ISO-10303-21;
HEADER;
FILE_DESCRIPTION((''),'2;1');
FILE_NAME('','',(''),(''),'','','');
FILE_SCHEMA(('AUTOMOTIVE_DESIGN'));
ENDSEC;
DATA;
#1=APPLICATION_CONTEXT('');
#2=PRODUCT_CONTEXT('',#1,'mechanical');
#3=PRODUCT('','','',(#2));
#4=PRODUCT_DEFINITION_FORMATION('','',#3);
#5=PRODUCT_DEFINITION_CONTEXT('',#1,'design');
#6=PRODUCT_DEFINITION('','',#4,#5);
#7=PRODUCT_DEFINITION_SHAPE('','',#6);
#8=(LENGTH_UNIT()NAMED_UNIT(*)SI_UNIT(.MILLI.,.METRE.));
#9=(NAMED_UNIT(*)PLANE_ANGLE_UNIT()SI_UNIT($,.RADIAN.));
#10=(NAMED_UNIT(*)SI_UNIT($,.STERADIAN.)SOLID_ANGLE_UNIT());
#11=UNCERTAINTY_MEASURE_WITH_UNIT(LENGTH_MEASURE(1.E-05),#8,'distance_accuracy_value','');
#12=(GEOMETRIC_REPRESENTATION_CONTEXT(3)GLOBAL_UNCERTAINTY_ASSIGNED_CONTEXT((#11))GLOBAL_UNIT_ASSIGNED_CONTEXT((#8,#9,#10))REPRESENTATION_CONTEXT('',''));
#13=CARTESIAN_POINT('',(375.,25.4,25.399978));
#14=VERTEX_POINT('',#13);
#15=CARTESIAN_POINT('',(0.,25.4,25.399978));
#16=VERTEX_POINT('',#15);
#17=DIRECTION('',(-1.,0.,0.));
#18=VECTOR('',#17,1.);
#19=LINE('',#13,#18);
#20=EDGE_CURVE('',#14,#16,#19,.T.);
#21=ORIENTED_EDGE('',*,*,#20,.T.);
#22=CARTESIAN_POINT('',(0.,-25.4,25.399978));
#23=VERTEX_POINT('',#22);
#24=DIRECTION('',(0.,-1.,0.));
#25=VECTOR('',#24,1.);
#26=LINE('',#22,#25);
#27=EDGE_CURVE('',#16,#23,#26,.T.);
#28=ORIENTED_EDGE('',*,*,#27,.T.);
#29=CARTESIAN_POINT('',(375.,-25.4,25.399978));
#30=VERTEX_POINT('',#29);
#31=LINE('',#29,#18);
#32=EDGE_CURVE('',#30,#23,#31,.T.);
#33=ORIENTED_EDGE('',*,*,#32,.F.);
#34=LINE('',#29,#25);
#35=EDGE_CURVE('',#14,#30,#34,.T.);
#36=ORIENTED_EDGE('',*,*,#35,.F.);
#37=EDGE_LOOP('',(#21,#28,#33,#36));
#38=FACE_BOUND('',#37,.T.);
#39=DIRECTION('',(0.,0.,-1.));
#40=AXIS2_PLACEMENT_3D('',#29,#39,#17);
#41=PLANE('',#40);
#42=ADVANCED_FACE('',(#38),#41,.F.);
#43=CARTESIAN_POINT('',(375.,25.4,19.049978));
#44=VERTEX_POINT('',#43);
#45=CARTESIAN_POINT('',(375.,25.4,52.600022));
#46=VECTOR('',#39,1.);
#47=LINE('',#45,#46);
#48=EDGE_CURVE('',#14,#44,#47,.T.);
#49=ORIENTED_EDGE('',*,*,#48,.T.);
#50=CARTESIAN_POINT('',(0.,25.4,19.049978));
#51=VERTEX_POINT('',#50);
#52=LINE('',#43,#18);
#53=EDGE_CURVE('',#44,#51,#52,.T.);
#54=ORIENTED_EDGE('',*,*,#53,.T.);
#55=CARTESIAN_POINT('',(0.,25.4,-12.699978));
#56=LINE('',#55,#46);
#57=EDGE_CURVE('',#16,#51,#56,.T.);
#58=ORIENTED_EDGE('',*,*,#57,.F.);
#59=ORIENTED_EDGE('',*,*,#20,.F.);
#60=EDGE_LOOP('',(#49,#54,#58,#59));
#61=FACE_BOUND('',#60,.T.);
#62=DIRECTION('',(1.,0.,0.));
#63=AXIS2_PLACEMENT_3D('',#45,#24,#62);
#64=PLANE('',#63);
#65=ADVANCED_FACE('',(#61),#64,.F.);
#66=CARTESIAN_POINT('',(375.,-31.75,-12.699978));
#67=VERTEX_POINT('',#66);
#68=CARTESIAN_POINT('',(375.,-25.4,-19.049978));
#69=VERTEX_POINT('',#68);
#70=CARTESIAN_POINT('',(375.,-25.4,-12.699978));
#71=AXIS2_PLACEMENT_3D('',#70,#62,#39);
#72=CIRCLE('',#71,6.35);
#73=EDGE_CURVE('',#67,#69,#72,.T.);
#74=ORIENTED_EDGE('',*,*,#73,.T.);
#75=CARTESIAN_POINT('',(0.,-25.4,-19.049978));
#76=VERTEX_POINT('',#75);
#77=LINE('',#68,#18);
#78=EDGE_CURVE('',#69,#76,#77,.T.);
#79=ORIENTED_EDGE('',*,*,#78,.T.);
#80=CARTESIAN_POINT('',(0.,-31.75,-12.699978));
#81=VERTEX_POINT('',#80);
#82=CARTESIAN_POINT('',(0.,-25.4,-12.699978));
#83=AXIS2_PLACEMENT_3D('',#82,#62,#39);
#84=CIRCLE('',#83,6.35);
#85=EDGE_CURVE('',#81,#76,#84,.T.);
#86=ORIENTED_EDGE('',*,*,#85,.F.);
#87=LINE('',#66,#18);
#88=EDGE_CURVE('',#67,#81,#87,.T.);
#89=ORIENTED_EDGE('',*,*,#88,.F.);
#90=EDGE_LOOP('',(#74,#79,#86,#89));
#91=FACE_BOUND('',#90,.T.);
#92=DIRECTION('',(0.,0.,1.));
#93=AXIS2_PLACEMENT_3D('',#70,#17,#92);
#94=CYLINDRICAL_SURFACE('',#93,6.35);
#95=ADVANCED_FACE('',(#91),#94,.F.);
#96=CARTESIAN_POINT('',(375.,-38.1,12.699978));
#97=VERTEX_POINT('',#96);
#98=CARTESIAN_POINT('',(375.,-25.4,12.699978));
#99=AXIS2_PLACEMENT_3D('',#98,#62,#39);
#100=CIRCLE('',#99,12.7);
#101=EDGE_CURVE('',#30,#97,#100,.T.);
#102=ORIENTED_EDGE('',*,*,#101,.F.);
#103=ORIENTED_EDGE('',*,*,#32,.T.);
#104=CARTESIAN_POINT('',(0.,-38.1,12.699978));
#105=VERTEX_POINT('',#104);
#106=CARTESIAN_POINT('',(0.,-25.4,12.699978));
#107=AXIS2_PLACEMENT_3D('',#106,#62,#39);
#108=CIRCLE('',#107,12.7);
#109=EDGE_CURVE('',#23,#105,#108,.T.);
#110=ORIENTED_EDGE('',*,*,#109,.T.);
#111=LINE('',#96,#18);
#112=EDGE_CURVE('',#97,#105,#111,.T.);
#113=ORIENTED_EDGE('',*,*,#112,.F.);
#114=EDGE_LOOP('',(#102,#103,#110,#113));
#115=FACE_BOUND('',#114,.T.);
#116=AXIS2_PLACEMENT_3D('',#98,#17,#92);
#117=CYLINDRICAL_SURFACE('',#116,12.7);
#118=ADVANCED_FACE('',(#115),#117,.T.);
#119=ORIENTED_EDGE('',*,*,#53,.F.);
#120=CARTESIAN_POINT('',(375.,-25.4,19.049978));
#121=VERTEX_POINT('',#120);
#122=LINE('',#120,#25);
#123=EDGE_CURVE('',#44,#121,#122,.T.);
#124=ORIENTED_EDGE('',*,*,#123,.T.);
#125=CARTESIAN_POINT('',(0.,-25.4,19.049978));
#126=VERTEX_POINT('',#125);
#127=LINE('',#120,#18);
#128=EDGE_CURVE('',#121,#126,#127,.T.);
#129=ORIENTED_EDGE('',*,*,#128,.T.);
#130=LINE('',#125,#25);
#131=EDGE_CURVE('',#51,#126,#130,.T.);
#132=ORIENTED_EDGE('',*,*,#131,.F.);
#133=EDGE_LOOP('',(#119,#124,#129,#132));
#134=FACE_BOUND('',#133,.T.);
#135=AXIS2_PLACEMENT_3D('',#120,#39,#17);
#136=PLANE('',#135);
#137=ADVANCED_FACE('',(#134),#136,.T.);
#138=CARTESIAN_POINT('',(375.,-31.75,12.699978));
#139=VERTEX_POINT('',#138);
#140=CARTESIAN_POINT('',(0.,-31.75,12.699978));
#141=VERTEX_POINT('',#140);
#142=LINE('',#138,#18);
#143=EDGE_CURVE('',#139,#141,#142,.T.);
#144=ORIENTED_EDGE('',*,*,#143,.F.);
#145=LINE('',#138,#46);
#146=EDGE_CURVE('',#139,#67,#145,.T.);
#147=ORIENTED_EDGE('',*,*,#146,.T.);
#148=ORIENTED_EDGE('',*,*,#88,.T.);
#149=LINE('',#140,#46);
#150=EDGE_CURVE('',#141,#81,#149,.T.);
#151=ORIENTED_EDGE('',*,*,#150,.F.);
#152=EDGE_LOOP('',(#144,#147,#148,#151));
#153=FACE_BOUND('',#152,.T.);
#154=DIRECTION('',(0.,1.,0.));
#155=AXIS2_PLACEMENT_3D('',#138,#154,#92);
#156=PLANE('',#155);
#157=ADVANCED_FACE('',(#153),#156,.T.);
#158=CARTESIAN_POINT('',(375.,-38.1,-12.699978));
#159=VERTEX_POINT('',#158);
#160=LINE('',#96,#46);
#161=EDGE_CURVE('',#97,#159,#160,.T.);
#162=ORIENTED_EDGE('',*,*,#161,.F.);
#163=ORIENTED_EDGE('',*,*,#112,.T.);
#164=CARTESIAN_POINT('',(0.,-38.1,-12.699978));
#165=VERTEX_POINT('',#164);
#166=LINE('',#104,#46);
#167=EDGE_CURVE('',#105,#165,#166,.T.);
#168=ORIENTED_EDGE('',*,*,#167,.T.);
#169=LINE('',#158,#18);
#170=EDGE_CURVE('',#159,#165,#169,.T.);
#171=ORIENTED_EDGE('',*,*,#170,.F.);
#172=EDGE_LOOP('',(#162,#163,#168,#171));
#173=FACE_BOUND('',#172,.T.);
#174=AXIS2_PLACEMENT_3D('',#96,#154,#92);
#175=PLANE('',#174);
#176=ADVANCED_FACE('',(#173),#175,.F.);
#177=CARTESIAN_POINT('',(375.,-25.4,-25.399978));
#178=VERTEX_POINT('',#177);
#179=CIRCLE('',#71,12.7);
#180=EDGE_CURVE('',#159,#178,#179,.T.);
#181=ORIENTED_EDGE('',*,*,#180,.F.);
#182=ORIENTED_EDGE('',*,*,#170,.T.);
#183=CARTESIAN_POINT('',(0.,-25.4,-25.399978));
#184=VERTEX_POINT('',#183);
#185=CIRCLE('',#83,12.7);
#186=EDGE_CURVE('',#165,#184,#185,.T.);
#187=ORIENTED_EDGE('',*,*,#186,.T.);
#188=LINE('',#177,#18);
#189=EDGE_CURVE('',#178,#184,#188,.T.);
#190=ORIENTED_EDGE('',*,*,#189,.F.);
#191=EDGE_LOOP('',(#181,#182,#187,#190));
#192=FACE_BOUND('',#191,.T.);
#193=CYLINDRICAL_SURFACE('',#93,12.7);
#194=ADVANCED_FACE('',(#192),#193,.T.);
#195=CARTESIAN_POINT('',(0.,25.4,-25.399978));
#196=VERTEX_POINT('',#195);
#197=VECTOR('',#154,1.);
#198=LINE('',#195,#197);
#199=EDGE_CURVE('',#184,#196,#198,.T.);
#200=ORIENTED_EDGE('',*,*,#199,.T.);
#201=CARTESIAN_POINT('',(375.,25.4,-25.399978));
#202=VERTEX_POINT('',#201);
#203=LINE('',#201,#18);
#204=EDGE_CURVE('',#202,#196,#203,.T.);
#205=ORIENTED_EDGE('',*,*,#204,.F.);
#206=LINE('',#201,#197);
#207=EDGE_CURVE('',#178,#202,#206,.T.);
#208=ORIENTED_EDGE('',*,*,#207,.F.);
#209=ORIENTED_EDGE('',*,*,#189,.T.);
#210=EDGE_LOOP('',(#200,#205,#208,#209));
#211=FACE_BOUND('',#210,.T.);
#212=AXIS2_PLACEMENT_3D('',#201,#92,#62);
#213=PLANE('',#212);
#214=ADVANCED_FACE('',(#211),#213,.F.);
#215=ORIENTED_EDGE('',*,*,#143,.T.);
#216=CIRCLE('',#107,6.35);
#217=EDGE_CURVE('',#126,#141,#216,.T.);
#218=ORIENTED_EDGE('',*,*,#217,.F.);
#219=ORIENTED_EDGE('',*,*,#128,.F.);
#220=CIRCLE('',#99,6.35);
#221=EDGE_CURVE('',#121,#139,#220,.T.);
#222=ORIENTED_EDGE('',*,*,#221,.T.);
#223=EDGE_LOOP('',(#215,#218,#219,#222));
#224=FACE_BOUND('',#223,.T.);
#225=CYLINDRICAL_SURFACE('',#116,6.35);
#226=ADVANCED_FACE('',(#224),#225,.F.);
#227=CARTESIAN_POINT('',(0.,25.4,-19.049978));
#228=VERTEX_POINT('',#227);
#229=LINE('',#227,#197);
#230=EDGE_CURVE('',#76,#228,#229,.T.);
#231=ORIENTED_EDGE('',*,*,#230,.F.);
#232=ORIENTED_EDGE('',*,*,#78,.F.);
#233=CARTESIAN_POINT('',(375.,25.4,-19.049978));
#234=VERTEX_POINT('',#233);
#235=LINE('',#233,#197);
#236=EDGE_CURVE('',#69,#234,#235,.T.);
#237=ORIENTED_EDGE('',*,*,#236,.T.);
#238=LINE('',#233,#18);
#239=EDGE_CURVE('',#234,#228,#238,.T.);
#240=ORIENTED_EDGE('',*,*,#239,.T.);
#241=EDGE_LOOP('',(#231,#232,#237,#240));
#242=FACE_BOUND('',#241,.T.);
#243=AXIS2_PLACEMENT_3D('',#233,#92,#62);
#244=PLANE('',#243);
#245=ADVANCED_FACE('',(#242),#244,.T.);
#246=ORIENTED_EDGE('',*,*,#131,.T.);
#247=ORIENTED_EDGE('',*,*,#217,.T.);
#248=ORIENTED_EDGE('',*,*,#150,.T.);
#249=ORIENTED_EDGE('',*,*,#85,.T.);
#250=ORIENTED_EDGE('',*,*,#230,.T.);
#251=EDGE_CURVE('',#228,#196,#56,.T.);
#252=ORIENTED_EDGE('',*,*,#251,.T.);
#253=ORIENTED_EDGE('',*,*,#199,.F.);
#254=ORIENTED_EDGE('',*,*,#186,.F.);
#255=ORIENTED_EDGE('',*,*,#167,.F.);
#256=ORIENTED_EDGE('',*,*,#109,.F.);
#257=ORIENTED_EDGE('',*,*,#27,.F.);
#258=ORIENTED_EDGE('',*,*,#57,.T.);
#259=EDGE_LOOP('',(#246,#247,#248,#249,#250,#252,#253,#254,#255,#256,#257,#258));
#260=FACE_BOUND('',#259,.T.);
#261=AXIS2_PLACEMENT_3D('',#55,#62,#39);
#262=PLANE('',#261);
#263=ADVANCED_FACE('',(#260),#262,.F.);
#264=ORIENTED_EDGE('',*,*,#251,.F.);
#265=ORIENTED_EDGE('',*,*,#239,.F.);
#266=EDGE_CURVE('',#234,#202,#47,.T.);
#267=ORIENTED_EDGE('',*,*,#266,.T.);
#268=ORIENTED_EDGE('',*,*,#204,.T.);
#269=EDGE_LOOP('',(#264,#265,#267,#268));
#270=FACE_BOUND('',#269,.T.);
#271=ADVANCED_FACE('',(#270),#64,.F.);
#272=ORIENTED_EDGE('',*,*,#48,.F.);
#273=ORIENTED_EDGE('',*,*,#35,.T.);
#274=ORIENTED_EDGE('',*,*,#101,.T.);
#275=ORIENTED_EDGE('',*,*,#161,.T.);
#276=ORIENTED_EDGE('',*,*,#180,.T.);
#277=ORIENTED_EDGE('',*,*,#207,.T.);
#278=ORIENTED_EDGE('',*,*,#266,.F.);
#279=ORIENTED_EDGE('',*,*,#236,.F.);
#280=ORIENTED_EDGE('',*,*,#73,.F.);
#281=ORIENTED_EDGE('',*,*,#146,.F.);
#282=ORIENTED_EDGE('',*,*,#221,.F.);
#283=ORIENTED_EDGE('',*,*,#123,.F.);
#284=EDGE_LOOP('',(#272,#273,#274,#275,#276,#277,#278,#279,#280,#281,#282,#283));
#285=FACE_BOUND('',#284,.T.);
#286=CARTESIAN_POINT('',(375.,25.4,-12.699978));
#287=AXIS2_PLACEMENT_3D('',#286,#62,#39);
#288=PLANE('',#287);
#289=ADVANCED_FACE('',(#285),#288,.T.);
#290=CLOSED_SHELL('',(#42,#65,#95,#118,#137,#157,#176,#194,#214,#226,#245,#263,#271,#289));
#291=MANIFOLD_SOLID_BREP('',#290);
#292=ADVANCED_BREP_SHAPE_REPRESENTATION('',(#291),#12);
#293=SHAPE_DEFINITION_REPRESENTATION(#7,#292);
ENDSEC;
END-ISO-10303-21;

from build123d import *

# Parameters (mm, degrees)
TUBO_RECTANGULAR_3_X_2_X_0_25_1_DEPTH = 375
CROQUIS3_W                            = 375
CROQUIS3_H                            = 12.7
CORTAR_EXTRUIR1_DEPTH                 = 78


with BuildPart() as part:
    # Sketch1 → Tubo rectangular 3 X 2 X 0.25(1) (new body)
    with BuildSketch(Plane(origin=(0, 0, 0), x_dir=(0, 0, -1), z_dir=(1, 0, 0))):
        with BuildLine():
            Line((-12.699978, -38.1), (12.699978, -38.1))
            ThreePointArc((12.699978, -38.1), (21.680234121, -34.380256121), (25.399978, -25.4))
            Line((25.399978, -25.4), (25.399978, 25.4))
            ThreePointArc((25.399978, 25.4), (21.680234121, 34.380256121), (12.699978, 38.1))
            Line((12.699978, 38.1), (-12.699978, 38.1))
            ThreePointArc((-12.699978, 38.1), (-21.680234121, 34.380256121), (-25.399978, 25.4))
            Line((-25.399978, 25.4), (-25.399978, -25.4))
            ThreePointArc((-25.399978, -25.4), (-21.680234121, -34.380256121), (-12.699978, -38.1))
        make_face()
        with BuildLine():
            Line((-12.699978, -31.75), (12.699978, -31.75))
            ThreePointArc((12.699978, -31.75), (17.190106061, -29.890128061), (19.049978, -25.4))
            Line((19.049978, -25.4), (19.049978, 25.4))
            ThreePointArc((19.049978, 25.4), (17.190106061, 29.890128061), (12.699978, 31.75))
            Line((12.699978, 31.75), (-12.699978, 31.75))
            ThreePointArc((-12.699978, 31.75), (-17.190106061, 29.890128061), (-19.049978, 25.4))
            Line((-19.049978, 25.4), (-19.049978, -25.4))
            ThreePointArc((-19.049978, -25.4), (-17.190106061, -29.890128061), (-12.699978, -31.75))
        make_face(mode=Mode.SUBTRACT)
    extrude(amount=TUBO_RECTANGULAR_3_X_2_X_0_25_1_DEPTH)

    # Croquis3 → Cortar-Extruir1 (cut)
    with BuildSketch(Plane(origin=(0, 0, -25.399978), x_dir=(-1, 0, 0), z_dir=(0, 0, -1))):
        with Locations((-187.5, 31.75)):
            Rectangle(CROQUIS3_W, CROQUIS3_H)
    extrude(amount=-CORTAR_EXTRUIR1_DEPTH, mode=Mode.SUBTRACT)


solid = part.part
